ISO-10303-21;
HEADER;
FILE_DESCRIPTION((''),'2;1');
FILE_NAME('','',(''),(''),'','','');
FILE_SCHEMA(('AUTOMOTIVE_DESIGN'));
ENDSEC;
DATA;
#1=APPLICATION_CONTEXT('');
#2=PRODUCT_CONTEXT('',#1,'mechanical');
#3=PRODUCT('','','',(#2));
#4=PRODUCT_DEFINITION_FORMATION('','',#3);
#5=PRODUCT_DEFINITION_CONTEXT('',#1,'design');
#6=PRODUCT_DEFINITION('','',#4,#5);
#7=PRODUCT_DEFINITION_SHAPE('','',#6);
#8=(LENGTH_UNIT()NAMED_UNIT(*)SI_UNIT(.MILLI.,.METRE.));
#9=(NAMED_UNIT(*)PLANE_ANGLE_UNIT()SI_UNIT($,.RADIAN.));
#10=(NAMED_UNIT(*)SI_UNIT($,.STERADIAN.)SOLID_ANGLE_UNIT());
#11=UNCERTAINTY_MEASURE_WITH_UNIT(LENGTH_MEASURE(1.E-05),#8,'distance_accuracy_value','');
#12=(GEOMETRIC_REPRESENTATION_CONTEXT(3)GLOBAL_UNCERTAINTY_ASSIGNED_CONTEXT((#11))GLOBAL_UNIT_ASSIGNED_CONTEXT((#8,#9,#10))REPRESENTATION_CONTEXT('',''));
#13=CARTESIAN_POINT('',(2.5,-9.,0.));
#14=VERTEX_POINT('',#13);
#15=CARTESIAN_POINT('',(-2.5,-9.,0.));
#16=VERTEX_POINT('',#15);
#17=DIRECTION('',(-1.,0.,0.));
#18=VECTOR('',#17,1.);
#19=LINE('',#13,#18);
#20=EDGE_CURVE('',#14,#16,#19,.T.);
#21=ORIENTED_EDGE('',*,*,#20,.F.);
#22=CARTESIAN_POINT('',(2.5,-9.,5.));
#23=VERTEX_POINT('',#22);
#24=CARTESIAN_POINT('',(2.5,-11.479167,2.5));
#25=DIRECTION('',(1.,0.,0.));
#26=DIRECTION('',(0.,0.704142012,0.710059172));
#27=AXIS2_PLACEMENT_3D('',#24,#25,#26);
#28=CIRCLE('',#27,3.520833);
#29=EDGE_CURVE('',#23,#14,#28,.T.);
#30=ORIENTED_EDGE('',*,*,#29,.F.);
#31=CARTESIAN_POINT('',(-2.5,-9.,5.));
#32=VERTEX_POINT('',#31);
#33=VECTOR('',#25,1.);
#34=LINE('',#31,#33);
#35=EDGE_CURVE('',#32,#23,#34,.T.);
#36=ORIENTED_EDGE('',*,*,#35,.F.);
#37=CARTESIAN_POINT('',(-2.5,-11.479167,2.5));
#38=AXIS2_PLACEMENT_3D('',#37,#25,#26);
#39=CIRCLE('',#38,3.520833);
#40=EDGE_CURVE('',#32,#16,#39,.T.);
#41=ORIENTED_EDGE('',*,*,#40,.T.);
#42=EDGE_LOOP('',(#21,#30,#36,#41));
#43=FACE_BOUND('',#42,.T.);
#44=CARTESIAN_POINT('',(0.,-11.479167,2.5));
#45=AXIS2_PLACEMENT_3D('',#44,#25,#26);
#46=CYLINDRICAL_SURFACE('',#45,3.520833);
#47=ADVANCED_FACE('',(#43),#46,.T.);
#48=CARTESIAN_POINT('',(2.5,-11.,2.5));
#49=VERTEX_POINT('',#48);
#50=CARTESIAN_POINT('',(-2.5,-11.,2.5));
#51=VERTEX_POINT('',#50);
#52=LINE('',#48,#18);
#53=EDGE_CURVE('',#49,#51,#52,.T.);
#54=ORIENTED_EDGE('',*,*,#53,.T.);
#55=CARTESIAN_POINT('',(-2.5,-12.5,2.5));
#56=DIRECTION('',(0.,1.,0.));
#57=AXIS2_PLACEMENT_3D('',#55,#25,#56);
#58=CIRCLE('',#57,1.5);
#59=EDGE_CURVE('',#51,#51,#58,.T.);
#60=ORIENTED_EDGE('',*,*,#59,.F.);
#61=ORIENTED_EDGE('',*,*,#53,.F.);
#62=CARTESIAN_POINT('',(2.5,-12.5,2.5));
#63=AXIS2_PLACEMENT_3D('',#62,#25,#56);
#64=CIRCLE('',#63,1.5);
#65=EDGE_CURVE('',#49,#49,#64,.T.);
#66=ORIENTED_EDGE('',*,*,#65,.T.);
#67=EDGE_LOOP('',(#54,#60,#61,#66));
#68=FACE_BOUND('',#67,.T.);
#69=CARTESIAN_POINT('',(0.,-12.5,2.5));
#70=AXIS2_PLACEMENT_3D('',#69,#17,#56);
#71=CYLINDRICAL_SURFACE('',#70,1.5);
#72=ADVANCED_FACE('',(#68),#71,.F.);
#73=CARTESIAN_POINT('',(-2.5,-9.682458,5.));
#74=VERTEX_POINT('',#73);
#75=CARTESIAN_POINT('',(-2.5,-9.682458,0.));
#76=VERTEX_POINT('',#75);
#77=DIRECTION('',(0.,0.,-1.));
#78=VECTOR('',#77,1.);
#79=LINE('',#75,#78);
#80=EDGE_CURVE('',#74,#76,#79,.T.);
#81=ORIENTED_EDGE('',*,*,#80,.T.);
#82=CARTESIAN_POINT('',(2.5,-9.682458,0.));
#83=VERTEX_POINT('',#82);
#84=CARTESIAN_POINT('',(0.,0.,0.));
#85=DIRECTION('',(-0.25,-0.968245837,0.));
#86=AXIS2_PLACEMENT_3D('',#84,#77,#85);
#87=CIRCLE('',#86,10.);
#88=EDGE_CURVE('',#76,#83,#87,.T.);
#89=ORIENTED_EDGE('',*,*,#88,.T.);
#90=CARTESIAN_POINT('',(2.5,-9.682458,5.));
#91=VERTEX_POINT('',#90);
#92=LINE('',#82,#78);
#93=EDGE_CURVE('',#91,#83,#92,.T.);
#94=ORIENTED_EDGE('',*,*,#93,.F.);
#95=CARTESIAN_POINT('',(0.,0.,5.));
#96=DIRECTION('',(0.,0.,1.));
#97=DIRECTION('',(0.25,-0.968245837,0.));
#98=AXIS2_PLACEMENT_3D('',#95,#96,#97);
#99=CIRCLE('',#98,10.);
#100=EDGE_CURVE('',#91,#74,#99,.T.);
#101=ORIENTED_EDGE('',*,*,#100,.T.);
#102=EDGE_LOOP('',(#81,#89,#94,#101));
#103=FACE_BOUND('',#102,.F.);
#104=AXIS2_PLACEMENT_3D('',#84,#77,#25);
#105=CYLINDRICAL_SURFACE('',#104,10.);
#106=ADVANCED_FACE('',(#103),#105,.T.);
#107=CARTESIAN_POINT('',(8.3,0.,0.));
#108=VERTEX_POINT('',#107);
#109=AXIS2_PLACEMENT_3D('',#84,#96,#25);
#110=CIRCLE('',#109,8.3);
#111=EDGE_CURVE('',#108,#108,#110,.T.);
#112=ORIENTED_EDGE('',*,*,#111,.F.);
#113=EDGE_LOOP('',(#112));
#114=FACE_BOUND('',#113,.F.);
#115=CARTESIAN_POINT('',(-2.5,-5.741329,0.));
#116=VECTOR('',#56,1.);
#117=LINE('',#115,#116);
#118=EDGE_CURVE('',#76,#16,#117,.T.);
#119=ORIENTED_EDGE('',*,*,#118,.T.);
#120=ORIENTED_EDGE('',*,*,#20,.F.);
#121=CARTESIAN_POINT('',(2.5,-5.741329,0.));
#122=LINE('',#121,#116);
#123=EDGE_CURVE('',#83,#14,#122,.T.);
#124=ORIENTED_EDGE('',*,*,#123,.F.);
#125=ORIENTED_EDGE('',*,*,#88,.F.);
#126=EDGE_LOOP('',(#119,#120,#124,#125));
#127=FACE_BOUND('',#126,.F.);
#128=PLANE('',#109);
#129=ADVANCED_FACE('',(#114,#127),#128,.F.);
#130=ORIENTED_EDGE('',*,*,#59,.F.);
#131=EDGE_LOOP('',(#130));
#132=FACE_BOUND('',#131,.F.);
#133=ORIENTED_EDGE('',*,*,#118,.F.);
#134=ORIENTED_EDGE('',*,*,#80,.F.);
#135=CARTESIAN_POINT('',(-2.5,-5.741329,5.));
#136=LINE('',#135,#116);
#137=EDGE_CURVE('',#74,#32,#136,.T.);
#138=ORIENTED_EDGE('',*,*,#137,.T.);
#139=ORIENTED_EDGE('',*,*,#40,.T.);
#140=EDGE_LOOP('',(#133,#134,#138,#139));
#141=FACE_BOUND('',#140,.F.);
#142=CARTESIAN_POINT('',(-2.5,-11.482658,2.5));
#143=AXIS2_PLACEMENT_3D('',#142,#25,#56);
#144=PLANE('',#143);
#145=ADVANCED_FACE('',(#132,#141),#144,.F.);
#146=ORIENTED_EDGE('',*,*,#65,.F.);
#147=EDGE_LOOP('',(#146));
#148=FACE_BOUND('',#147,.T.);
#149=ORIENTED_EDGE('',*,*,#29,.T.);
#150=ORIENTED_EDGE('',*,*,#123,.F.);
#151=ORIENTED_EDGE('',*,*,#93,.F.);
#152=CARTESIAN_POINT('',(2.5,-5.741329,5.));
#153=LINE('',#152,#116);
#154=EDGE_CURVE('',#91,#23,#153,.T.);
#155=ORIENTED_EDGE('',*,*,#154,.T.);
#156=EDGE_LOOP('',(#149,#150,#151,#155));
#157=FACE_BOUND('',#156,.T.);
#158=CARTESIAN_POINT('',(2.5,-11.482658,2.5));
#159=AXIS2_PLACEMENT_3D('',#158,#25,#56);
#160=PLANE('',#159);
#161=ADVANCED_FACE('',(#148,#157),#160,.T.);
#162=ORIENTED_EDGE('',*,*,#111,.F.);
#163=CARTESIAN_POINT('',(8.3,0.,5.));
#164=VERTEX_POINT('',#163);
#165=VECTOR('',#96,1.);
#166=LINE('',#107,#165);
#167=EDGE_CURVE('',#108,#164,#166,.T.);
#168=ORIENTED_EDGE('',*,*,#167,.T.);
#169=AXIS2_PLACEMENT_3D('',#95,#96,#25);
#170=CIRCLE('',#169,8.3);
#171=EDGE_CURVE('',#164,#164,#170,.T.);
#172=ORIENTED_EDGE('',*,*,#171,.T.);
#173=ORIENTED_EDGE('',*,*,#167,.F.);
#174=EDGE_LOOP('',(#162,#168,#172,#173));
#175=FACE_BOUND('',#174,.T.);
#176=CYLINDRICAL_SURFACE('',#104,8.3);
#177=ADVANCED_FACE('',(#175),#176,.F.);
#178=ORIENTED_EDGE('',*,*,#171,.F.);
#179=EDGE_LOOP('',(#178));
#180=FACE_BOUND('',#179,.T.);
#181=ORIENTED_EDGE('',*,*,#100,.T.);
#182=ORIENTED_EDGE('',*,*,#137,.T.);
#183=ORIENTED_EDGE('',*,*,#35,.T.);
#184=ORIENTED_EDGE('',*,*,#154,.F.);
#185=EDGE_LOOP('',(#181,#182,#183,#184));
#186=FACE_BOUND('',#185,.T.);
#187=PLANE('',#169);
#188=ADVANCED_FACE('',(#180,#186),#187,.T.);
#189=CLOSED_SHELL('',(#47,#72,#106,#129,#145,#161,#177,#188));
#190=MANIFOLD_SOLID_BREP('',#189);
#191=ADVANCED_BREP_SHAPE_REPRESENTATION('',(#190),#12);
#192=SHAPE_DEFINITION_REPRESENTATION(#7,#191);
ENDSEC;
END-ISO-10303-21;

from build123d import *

# Parameters (mm, degrees)
F0_R     = 10
F0_R_2   = 8.3
F1_DEPTH = 5
F2_R     = 1.5
F3_DEPTH = 2.5


with BuildPart() as f1:
    # F0 (on Top) → F1 (new body)
    with BuildSketch(Plane.XY):
        Circle(F0_R)
        Circle(F0_R_2, mode=Mode.SUBTRACT)
    extrude(amount=F1_DEPTH)

    # F2 (on Right) → F3 (join, symmetric)
    with BuildSketch(Plane.YZ):
        with BuildLine():
            Line((-9, 0), (-9, 5))
            ThreePointArc((-9, 5), (-15, 2.5), (-9, 0))
        make_face()
        with Locations((-12.5, 2.5)):
            Circle(F2_R, mode=Mode.SUBTRACT)
    extrude(amount=F3_DEPTH, both=True)


solid = f1.part
